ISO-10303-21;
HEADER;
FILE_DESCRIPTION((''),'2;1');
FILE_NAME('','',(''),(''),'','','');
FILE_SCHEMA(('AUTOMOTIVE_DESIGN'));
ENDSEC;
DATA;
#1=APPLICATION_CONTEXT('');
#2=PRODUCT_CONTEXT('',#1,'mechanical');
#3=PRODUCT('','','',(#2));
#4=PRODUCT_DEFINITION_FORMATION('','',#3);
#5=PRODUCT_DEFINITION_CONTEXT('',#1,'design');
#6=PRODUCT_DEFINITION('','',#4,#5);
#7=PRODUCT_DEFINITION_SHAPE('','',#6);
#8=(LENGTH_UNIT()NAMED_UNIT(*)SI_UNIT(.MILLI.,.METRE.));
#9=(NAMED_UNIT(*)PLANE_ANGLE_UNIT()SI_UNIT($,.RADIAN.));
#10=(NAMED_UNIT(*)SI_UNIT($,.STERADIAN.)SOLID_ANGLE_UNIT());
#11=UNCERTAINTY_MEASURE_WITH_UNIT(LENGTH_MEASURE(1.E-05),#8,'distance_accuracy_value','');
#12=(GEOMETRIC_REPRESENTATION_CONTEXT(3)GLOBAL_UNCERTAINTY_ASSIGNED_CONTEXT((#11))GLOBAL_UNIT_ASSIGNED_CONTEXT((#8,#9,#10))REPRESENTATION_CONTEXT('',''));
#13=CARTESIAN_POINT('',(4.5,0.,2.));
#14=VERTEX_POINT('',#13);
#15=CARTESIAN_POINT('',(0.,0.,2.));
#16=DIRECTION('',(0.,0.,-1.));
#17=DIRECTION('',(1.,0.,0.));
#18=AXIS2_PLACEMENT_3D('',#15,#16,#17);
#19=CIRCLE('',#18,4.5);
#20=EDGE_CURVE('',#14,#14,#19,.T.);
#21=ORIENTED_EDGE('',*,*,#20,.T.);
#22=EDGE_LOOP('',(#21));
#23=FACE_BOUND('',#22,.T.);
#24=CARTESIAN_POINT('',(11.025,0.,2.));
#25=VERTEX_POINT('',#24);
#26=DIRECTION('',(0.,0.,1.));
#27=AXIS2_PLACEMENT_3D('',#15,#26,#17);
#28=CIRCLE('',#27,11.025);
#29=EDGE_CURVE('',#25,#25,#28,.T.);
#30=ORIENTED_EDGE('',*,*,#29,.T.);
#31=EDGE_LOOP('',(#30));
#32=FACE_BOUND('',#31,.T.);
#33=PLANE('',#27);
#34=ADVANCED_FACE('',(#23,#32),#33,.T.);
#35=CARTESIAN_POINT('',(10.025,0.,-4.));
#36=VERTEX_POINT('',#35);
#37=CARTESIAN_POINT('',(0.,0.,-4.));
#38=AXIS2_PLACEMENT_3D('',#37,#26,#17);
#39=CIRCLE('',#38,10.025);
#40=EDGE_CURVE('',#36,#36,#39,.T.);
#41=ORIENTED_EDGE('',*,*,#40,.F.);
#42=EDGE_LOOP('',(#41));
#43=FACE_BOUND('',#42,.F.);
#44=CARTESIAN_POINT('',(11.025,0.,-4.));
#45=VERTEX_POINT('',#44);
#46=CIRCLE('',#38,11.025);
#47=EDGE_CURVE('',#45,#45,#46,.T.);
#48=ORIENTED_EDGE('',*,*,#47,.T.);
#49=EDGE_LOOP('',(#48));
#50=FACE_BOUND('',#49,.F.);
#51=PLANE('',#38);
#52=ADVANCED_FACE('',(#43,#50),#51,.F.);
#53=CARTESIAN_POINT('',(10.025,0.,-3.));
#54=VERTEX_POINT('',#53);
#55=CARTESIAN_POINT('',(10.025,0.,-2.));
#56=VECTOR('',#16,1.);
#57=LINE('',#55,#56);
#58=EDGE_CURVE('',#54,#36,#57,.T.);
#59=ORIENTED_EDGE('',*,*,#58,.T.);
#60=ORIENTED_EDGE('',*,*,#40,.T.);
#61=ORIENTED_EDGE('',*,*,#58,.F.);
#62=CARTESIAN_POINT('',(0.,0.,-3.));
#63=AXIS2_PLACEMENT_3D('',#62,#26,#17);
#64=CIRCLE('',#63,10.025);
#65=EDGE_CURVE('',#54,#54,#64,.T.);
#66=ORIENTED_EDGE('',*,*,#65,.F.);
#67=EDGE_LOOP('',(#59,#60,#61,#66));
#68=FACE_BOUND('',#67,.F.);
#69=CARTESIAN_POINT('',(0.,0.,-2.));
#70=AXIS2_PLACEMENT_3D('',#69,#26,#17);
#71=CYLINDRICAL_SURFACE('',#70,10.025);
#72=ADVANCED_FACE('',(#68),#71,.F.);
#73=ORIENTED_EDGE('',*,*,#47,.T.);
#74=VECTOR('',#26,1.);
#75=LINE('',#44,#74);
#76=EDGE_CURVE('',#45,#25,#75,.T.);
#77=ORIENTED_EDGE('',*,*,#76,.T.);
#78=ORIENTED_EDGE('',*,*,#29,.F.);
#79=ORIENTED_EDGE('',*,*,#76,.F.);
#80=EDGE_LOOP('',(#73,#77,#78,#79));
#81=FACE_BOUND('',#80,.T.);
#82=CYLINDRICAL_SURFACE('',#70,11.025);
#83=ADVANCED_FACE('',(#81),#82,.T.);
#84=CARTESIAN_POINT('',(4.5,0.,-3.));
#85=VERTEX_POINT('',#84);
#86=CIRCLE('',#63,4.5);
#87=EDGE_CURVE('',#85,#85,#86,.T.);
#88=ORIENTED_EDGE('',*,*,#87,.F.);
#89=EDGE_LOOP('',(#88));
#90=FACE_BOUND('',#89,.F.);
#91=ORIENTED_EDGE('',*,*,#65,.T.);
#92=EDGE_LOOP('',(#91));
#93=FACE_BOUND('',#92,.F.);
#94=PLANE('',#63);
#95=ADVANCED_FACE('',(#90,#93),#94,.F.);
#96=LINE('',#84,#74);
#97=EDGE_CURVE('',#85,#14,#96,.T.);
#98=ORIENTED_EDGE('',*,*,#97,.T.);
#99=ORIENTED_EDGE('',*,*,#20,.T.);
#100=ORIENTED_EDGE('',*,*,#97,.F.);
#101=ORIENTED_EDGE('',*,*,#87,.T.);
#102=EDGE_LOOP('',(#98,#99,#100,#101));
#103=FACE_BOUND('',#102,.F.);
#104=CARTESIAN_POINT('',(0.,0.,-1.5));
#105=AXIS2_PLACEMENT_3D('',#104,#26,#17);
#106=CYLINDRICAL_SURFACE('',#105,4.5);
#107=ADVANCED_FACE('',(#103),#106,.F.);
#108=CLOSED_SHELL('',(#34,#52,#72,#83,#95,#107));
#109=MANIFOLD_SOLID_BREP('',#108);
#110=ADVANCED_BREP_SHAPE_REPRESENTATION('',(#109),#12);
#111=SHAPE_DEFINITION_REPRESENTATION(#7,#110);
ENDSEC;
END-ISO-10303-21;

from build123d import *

# Parameters (mm, degrees)
F0_R        = 10.025
F0_R_2      = 4.5
F1_DEPTH    = 1.5
F0_R_3      = 11.025
F1_FACE_R   = 10.025
F1_FACE_R_2 = 4.5
F2_DEPTH    = 2
F3_DEPTH    = 2
F4_DEPTH    = 1.5
F5_DEPTH    = 1.5
F6_DEPTH    = 2
F7_DEPTH    = 1.5


with BuildPart() as f1:
    # F0 (on Top) → F1 (new body)
    with BuildSketch(Plane.XY):
        Circle(F0_R)
        Circle(F0_R_2, mode=Mode.SUBTRACT)
    extrude(amount=F1_DEPTH)

    # F0 (on Top) + F1_face (on face) → F2 (join)
    with BuildSketch(Plane.XY):
        Circle(F0_R_3)
        Circle(F0_R, mode=Mode.SUBTRACT)
    with BuildSketch(Plane(origin=(0, 0, 0), x_dir=(1, 0, 0), z_dir=(0, 0, -1))):
        Circle(F1_FACE_R)
        Circle(F1_FACE_R_2, mode=Mode.SUBTRACT)
    extrude(amount=F2_DEPTH, dir=(0, 0, 1))

    # F0 (on Top) → F3 (join)
    with BuildSketch(Plane.XY):
        Circle(F0_R_3)
        Circle(F0_R, mode=Mode.SUBTRACT)
    extrude(amount=-F3_DEPTH)

    # F4 (add): a face of the model
    f4_faces = [f1.faces().sort_by_distance(p)[0] for p in [
        (-9.7414501807, 0, 0),
    ]]
    extrude(f4_faces, amount=F4_DEPTH)

    # F5 (add): a face of the model
    f5_faces = [f1.faces().sort_by_distance(p)[0] for p in [
        (-9.7414501807, 0, -1.5),
    ]]
    extrude(f5_faces, amount=F5_DEPTH)

    # F6 (add): a face of the model
    f6_faces = [f1.faces().sort_by_distance(p)[0] for p in [
        (-10.7131659095, 0, -2),
    ]]
    extrude(f6_faces, amount=F6_DEPTH)

    # F0 (on Top) → F7 (join)
    with BuildSketch(Plane.XY):
        Circle(F0_R)
        Circle(F0_R_2, mode=Mode.SUBTRACT)
    extrude(amount=-F7_DEPTH)


solid = f1.part
